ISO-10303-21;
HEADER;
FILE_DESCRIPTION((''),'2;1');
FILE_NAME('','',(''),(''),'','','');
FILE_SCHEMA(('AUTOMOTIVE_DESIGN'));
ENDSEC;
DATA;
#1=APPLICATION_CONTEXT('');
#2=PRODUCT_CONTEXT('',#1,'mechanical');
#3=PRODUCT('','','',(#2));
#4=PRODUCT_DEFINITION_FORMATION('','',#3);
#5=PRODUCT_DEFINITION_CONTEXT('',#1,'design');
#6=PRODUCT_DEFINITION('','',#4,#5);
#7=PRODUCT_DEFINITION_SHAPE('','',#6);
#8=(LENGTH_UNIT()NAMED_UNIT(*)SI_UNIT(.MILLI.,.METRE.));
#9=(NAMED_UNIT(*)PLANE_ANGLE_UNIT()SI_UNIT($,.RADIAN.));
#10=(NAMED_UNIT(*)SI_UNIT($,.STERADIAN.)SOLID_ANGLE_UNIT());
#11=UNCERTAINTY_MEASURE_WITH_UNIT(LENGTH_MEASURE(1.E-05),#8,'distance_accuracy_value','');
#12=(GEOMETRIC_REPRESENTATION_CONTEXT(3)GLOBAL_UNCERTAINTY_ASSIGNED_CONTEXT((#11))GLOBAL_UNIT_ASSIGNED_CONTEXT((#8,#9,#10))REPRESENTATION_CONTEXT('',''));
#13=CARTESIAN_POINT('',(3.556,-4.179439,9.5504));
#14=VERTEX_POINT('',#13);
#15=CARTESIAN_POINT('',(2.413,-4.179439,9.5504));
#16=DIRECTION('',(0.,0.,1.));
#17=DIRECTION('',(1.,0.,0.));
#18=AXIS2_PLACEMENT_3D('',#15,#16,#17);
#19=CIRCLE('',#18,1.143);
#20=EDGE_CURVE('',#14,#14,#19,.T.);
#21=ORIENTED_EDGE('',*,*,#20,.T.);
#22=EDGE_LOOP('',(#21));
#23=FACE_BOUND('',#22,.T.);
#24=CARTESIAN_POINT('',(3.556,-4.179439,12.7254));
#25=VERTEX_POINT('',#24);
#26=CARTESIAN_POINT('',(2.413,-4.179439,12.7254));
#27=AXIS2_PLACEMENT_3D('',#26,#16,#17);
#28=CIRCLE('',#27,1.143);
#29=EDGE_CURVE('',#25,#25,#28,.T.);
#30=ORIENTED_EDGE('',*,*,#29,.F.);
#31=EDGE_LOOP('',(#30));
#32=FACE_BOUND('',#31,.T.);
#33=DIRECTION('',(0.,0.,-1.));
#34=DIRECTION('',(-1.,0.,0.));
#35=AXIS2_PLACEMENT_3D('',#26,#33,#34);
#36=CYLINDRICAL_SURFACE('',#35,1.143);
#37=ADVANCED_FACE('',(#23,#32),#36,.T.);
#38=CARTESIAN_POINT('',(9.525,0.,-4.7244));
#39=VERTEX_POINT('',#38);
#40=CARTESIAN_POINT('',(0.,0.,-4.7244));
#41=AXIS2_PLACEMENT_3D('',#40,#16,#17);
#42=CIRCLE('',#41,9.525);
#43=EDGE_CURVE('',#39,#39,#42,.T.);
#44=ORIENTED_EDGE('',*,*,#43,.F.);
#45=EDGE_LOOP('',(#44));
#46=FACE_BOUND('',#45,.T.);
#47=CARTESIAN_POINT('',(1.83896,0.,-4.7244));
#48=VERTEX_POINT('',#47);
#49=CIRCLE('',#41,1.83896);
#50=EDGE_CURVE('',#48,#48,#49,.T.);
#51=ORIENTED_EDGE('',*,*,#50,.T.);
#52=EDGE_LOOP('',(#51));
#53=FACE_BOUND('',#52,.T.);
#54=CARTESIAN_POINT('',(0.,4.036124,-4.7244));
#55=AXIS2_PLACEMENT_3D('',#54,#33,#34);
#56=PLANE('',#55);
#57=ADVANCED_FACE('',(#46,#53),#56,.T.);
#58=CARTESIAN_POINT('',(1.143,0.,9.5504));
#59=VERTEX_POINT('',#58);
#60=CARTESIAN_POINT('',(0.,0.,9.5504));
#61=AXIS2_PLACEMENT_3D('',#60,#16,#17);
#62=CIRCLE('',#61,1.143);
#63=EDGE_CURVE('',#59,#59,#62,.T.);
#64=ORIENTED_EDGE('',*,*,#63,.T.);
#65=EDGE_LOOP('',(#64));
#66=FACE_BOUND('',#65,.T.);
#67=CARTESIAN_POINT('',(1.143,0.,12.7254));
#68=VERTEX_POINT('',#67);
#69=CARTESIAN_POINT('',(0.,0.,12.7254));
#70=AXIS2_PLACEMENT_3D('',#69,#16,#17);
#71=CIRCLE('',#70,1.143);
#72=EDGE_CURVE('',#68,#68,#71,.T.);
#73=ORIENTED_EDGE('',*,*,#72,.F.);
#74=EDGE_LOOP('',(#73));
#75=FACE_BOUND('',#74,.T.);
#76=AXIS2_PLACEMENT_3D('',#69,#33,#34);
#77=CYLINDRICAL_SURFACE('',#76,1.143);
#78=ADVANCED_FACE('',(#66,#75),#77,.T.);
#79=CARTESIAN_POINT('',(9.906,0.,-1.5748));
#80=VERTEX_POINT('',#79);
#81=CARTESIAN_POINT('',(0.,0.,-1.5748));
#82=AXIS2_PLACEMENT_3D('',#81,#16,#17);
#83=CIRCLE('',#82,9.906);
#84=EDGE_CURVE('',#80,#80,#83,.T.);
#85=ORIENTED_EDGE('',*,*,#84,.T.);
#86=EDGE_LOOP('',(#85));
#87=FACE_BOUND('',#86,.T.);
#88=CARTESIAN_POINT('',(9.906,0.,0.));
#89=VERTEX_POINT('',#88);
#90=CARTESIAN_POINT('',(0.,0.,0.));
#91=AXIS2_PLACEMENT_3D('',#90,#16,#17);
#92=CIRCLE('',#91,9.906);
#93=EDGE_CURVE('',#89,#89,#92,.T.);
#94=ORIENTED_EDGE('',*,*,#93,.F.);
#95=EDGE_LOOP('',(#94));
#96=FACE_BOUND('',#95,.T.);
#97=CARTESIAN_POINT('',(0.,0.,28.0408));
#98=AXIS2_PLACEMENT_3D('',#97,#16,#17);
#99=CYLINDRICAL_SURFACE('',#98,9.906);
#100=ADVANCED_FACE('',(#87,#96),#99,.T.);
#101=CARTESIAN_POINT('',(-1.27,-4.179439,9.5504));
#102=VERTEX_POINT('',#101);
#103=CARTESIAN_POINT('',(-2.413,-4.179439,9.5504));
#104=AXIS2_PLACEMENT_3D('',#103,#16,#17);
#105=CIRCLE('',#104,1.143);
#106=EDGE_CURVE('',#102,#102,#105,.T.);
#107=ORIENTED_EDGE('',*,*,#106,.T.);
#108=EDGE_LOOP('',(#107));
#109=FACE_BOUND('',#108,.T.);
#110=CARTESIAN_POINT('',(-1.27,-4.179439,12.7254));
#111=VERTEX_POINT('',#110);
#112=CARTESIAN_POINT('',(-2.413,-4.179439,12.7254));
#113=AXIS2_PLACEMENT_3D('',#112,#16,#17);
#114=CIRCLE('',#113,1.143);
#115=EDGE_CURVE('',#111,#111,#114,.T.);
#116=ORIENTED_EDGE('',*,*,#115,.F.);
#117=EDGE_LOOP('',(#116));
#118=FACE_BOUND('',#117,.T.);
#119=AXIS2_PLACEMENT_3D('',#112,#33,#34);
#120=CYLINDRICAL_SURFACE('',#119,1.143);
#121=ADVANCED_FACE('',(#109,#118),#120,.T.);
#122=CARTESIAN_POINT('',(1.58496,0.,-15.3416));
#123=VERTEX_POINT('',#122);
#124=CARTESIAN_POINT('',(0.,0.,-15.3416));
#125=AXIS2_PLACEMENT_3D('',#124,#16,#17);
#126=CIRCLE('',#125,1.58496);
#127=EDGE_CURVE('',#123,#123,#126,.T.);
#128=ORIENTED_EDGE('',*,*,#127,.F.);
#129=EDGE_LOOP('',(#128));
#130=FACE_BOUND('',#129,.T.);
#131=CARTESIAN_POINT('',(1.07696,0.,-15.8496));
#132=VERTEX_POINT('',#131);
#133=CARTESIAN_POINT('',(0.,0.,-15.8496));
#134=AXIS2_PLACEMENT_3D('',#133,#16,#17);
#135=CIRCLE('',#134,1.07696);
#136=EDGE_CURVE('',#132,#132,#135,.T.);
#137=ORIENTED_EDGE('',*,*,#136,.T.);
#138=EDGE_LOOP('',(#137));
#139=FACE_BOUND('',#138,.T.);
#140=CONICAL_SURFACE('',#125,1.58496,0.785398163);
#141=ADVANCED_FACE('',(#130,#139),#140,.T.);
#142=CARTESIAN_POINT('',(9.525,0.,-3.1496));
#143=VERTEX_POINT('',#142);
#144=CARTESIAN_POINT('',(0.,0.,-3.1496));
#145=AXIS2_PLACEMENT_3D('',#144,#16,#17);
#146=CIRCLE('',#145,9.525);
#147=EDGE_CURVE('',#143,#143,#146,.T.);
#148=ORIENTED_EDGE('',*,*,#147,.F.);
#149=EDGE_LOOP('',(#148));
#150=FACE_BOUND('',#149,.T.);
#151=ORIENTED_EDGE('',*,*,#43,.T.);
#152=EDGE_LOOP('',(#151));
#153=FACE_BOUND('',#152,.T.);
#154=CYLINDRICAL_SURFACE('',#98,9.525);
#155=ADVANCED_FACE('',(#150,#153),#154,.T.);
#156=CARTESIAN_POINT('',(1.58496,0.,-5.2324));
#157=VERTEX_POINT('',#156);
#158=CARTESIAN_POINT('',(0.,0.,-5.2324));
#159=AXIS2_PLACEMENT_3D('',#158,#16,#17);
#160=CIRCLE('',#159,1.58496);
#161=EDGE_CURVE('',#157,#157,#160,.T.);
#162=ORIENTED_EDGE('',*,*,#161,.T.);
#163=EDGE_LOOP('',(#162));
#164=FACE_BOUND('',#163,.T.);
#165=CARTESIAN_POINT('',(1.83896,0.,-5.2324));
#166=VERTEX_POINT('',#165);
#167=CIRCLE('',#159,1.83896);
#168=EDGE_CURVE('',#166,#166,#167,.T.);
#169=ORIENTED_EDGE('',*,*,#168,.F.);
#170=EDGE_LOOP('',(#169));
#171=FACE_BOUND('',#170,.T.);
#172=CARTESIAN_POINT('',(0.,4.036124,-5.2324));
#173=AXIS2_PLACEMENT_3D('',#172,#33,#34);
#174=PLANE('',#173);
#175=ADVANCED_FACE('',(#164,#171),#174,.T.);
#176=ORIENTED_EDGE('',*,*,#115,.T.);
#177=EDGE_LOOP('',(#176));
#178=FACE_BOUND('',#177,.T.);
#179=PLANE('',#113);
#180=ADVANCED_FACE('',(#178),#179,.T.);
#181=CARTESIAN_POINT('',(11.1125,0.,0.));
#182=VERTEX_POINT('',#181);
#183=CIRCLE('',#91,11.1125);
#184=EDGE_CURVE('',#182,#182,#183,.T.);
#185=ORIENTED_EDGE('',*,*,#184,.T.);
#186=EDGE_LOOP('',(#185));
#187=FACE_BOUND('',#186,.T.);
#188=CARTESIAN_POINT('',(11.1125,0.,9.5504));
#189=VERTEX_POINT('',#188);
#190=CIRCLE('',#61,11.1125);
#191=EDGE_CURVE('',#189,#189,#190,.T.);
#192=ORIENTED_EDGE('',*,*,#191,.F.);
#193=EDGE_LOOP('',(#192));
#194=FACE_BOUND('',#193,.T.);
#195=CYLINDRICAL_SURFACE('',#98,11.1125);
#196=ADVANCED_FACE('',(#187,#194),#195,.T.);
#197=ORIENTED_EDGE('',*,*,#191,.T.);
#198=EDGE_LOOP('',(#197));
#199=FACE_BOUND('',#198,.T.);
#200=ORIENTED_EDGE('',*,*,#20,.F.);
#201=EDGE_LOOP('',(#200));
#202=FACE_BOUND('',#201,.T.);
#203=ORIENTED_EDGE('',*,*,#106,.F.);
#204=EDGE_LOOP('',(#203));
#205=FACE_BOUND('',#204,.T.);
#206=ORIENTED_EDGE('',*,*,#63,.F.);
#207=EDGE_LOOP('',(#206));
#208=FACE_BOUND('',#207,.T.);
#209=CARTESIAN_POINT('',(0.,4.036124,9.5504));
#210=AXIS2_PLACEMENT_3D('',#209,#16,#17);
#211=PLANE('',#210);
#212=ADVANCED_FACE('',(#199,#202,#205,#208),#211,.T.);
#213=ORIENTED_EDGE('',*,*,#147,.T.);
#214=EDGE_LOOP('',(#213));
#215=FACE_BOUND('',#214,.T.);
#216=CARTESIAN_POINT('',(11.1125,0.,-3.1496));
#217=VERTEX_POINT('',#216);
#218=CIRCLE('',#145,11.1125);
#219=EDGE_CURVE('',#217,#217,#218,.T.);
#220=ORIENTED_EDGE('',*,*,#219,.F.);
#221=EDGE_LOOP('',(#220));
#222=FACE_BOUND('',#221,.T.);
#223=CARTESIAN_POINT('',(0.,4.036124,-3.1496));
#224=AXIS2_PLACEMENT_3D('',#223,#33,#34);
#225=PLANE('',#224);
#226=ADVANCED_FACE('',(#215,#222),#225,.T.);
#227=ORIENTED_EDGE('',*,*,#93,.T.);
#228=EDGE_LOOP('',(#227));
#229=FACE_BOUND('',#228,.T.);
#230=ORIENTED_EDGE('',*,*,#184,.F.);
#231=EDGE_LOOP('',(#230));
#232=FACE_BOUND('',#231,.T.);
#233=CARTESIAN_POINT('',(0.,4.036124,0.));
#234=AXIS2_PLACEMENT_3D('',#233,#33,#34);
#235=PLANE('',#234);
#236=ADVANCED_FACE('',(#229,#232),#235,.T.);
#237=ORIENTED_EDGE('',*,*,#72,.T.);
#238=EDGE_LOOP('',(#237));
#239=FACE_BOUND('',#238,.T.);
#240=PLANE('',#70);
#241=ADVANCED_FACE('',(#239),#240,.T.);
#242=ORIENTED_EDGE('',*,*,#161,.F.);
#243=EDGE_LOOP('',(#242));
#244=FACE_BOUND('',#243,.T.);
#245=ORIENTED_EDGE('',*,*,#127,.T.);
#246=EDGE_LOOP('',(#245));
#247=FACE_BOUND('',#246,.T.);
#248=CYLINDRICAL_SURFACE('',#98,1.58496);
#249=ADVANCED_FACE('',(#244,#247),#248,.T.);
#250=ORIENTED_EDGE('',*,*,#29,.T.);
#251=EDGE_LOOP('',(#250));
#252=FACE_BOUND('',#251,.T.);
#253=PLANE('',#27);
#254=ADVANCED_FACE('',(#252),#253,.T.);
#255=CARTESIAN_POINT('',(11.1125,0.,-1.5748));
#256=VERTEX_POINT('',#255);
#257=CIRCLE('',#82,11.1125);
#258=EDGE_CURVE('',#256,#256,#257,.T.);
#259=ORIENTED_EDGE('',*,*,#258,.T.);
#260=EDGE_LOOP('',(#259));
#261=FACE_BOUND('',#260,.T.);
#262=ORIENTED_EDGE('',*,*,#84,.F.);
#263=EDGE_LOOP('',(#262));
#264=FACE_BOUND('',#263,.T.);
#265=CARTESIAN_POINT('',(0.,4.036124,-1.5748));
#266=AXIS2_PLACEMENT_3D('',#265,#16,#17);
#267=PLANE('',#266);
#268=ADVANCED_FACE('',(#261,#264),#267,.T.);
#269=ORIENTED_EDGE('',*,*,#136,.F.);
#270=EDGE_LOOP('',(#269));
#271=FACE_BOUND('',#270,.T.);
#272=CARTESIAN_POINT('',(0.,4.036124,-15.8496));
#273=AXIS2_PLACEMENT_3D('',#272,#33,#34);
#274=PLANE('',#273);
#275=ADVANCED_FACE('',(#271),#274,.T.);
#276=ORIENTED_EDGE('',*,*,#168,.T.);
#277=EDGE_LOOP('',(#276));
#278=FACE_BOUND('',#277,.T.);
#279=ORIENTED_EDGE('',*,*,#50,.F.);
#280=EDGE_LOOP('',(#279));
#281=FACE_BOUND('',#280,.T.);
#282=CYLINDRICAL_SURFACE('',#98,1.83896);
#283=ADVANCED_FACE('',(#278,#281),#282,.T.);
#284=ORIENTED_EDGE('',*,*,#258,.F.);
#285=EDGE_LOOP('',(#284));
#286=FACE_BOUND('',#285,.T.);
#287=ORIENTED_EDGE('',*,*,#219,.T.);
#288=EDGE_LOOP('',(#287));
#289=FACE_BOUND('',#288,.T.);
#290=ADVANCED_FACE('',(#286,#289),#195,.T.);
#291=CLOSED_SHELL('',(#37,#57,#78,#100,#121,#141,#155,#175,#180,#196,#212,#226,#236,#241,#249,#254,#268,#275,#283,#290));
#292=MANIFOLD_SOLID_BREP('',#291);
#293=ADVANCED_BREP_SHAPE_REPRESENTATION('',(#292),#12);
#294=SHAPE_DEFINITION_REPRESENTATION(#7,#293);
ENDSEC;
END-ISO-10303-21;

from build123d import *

# Parameters (mm, degrees)
SKETCH3_R           = 1.143
BOSS_EXTRUDE1_DEPTH = 3.175


with BuildPart() as part:
    # Sketch2 → Revolve2 (revolve)
    with BuildSketch(Plane(origin=(0, 0, 0), x_dir=(0, 0, -1), z_dir=(1, 0, 0)), mode=Mode.PRIVATE) as revolve2_sk:
        Polygon((-9.5504, 11.1125), (-9.5504, 0), (4.7244, 0), (4.7244, 1.83896), (4.7244, 9.525), (3.1496, 9.525), (3.1496, 11.1125), (1.5748, 11.1125), (1.5748, 9.906), (0, 9.906), (0, 11.1125), align=None)
        Polygon((4.7244, 1.83896), (4.7244, 0), (15.8496, 0), (15.8496, 1.07696), (15.3416, 1.58496), (5.2324, 1.58496), (5.2324, 1.83896), align=None)
    revolve(revolve2_sk.sketch.rotate(Axis((0, 0, 28.040799935), (0, 0, -1)), 90), axis=Axis((0, 0, 28.040799935), (0, 0, -1)))

    # Sketch3 → Boss-Extrude1 (add)
    with BuildSketch(Plane.XY.offset(9.5504)):
        Circle(SKETCH3_R)
        with Locations((-2.413, -4.179438599)):
            Circle(SKETCH3_R)
        with Locations((2.413, -4.179438599)):
            Circle(SKETCH3_R)
    extrude(amount=BOSS_EXTRUDE1_DEPTH)


solid = part.part
